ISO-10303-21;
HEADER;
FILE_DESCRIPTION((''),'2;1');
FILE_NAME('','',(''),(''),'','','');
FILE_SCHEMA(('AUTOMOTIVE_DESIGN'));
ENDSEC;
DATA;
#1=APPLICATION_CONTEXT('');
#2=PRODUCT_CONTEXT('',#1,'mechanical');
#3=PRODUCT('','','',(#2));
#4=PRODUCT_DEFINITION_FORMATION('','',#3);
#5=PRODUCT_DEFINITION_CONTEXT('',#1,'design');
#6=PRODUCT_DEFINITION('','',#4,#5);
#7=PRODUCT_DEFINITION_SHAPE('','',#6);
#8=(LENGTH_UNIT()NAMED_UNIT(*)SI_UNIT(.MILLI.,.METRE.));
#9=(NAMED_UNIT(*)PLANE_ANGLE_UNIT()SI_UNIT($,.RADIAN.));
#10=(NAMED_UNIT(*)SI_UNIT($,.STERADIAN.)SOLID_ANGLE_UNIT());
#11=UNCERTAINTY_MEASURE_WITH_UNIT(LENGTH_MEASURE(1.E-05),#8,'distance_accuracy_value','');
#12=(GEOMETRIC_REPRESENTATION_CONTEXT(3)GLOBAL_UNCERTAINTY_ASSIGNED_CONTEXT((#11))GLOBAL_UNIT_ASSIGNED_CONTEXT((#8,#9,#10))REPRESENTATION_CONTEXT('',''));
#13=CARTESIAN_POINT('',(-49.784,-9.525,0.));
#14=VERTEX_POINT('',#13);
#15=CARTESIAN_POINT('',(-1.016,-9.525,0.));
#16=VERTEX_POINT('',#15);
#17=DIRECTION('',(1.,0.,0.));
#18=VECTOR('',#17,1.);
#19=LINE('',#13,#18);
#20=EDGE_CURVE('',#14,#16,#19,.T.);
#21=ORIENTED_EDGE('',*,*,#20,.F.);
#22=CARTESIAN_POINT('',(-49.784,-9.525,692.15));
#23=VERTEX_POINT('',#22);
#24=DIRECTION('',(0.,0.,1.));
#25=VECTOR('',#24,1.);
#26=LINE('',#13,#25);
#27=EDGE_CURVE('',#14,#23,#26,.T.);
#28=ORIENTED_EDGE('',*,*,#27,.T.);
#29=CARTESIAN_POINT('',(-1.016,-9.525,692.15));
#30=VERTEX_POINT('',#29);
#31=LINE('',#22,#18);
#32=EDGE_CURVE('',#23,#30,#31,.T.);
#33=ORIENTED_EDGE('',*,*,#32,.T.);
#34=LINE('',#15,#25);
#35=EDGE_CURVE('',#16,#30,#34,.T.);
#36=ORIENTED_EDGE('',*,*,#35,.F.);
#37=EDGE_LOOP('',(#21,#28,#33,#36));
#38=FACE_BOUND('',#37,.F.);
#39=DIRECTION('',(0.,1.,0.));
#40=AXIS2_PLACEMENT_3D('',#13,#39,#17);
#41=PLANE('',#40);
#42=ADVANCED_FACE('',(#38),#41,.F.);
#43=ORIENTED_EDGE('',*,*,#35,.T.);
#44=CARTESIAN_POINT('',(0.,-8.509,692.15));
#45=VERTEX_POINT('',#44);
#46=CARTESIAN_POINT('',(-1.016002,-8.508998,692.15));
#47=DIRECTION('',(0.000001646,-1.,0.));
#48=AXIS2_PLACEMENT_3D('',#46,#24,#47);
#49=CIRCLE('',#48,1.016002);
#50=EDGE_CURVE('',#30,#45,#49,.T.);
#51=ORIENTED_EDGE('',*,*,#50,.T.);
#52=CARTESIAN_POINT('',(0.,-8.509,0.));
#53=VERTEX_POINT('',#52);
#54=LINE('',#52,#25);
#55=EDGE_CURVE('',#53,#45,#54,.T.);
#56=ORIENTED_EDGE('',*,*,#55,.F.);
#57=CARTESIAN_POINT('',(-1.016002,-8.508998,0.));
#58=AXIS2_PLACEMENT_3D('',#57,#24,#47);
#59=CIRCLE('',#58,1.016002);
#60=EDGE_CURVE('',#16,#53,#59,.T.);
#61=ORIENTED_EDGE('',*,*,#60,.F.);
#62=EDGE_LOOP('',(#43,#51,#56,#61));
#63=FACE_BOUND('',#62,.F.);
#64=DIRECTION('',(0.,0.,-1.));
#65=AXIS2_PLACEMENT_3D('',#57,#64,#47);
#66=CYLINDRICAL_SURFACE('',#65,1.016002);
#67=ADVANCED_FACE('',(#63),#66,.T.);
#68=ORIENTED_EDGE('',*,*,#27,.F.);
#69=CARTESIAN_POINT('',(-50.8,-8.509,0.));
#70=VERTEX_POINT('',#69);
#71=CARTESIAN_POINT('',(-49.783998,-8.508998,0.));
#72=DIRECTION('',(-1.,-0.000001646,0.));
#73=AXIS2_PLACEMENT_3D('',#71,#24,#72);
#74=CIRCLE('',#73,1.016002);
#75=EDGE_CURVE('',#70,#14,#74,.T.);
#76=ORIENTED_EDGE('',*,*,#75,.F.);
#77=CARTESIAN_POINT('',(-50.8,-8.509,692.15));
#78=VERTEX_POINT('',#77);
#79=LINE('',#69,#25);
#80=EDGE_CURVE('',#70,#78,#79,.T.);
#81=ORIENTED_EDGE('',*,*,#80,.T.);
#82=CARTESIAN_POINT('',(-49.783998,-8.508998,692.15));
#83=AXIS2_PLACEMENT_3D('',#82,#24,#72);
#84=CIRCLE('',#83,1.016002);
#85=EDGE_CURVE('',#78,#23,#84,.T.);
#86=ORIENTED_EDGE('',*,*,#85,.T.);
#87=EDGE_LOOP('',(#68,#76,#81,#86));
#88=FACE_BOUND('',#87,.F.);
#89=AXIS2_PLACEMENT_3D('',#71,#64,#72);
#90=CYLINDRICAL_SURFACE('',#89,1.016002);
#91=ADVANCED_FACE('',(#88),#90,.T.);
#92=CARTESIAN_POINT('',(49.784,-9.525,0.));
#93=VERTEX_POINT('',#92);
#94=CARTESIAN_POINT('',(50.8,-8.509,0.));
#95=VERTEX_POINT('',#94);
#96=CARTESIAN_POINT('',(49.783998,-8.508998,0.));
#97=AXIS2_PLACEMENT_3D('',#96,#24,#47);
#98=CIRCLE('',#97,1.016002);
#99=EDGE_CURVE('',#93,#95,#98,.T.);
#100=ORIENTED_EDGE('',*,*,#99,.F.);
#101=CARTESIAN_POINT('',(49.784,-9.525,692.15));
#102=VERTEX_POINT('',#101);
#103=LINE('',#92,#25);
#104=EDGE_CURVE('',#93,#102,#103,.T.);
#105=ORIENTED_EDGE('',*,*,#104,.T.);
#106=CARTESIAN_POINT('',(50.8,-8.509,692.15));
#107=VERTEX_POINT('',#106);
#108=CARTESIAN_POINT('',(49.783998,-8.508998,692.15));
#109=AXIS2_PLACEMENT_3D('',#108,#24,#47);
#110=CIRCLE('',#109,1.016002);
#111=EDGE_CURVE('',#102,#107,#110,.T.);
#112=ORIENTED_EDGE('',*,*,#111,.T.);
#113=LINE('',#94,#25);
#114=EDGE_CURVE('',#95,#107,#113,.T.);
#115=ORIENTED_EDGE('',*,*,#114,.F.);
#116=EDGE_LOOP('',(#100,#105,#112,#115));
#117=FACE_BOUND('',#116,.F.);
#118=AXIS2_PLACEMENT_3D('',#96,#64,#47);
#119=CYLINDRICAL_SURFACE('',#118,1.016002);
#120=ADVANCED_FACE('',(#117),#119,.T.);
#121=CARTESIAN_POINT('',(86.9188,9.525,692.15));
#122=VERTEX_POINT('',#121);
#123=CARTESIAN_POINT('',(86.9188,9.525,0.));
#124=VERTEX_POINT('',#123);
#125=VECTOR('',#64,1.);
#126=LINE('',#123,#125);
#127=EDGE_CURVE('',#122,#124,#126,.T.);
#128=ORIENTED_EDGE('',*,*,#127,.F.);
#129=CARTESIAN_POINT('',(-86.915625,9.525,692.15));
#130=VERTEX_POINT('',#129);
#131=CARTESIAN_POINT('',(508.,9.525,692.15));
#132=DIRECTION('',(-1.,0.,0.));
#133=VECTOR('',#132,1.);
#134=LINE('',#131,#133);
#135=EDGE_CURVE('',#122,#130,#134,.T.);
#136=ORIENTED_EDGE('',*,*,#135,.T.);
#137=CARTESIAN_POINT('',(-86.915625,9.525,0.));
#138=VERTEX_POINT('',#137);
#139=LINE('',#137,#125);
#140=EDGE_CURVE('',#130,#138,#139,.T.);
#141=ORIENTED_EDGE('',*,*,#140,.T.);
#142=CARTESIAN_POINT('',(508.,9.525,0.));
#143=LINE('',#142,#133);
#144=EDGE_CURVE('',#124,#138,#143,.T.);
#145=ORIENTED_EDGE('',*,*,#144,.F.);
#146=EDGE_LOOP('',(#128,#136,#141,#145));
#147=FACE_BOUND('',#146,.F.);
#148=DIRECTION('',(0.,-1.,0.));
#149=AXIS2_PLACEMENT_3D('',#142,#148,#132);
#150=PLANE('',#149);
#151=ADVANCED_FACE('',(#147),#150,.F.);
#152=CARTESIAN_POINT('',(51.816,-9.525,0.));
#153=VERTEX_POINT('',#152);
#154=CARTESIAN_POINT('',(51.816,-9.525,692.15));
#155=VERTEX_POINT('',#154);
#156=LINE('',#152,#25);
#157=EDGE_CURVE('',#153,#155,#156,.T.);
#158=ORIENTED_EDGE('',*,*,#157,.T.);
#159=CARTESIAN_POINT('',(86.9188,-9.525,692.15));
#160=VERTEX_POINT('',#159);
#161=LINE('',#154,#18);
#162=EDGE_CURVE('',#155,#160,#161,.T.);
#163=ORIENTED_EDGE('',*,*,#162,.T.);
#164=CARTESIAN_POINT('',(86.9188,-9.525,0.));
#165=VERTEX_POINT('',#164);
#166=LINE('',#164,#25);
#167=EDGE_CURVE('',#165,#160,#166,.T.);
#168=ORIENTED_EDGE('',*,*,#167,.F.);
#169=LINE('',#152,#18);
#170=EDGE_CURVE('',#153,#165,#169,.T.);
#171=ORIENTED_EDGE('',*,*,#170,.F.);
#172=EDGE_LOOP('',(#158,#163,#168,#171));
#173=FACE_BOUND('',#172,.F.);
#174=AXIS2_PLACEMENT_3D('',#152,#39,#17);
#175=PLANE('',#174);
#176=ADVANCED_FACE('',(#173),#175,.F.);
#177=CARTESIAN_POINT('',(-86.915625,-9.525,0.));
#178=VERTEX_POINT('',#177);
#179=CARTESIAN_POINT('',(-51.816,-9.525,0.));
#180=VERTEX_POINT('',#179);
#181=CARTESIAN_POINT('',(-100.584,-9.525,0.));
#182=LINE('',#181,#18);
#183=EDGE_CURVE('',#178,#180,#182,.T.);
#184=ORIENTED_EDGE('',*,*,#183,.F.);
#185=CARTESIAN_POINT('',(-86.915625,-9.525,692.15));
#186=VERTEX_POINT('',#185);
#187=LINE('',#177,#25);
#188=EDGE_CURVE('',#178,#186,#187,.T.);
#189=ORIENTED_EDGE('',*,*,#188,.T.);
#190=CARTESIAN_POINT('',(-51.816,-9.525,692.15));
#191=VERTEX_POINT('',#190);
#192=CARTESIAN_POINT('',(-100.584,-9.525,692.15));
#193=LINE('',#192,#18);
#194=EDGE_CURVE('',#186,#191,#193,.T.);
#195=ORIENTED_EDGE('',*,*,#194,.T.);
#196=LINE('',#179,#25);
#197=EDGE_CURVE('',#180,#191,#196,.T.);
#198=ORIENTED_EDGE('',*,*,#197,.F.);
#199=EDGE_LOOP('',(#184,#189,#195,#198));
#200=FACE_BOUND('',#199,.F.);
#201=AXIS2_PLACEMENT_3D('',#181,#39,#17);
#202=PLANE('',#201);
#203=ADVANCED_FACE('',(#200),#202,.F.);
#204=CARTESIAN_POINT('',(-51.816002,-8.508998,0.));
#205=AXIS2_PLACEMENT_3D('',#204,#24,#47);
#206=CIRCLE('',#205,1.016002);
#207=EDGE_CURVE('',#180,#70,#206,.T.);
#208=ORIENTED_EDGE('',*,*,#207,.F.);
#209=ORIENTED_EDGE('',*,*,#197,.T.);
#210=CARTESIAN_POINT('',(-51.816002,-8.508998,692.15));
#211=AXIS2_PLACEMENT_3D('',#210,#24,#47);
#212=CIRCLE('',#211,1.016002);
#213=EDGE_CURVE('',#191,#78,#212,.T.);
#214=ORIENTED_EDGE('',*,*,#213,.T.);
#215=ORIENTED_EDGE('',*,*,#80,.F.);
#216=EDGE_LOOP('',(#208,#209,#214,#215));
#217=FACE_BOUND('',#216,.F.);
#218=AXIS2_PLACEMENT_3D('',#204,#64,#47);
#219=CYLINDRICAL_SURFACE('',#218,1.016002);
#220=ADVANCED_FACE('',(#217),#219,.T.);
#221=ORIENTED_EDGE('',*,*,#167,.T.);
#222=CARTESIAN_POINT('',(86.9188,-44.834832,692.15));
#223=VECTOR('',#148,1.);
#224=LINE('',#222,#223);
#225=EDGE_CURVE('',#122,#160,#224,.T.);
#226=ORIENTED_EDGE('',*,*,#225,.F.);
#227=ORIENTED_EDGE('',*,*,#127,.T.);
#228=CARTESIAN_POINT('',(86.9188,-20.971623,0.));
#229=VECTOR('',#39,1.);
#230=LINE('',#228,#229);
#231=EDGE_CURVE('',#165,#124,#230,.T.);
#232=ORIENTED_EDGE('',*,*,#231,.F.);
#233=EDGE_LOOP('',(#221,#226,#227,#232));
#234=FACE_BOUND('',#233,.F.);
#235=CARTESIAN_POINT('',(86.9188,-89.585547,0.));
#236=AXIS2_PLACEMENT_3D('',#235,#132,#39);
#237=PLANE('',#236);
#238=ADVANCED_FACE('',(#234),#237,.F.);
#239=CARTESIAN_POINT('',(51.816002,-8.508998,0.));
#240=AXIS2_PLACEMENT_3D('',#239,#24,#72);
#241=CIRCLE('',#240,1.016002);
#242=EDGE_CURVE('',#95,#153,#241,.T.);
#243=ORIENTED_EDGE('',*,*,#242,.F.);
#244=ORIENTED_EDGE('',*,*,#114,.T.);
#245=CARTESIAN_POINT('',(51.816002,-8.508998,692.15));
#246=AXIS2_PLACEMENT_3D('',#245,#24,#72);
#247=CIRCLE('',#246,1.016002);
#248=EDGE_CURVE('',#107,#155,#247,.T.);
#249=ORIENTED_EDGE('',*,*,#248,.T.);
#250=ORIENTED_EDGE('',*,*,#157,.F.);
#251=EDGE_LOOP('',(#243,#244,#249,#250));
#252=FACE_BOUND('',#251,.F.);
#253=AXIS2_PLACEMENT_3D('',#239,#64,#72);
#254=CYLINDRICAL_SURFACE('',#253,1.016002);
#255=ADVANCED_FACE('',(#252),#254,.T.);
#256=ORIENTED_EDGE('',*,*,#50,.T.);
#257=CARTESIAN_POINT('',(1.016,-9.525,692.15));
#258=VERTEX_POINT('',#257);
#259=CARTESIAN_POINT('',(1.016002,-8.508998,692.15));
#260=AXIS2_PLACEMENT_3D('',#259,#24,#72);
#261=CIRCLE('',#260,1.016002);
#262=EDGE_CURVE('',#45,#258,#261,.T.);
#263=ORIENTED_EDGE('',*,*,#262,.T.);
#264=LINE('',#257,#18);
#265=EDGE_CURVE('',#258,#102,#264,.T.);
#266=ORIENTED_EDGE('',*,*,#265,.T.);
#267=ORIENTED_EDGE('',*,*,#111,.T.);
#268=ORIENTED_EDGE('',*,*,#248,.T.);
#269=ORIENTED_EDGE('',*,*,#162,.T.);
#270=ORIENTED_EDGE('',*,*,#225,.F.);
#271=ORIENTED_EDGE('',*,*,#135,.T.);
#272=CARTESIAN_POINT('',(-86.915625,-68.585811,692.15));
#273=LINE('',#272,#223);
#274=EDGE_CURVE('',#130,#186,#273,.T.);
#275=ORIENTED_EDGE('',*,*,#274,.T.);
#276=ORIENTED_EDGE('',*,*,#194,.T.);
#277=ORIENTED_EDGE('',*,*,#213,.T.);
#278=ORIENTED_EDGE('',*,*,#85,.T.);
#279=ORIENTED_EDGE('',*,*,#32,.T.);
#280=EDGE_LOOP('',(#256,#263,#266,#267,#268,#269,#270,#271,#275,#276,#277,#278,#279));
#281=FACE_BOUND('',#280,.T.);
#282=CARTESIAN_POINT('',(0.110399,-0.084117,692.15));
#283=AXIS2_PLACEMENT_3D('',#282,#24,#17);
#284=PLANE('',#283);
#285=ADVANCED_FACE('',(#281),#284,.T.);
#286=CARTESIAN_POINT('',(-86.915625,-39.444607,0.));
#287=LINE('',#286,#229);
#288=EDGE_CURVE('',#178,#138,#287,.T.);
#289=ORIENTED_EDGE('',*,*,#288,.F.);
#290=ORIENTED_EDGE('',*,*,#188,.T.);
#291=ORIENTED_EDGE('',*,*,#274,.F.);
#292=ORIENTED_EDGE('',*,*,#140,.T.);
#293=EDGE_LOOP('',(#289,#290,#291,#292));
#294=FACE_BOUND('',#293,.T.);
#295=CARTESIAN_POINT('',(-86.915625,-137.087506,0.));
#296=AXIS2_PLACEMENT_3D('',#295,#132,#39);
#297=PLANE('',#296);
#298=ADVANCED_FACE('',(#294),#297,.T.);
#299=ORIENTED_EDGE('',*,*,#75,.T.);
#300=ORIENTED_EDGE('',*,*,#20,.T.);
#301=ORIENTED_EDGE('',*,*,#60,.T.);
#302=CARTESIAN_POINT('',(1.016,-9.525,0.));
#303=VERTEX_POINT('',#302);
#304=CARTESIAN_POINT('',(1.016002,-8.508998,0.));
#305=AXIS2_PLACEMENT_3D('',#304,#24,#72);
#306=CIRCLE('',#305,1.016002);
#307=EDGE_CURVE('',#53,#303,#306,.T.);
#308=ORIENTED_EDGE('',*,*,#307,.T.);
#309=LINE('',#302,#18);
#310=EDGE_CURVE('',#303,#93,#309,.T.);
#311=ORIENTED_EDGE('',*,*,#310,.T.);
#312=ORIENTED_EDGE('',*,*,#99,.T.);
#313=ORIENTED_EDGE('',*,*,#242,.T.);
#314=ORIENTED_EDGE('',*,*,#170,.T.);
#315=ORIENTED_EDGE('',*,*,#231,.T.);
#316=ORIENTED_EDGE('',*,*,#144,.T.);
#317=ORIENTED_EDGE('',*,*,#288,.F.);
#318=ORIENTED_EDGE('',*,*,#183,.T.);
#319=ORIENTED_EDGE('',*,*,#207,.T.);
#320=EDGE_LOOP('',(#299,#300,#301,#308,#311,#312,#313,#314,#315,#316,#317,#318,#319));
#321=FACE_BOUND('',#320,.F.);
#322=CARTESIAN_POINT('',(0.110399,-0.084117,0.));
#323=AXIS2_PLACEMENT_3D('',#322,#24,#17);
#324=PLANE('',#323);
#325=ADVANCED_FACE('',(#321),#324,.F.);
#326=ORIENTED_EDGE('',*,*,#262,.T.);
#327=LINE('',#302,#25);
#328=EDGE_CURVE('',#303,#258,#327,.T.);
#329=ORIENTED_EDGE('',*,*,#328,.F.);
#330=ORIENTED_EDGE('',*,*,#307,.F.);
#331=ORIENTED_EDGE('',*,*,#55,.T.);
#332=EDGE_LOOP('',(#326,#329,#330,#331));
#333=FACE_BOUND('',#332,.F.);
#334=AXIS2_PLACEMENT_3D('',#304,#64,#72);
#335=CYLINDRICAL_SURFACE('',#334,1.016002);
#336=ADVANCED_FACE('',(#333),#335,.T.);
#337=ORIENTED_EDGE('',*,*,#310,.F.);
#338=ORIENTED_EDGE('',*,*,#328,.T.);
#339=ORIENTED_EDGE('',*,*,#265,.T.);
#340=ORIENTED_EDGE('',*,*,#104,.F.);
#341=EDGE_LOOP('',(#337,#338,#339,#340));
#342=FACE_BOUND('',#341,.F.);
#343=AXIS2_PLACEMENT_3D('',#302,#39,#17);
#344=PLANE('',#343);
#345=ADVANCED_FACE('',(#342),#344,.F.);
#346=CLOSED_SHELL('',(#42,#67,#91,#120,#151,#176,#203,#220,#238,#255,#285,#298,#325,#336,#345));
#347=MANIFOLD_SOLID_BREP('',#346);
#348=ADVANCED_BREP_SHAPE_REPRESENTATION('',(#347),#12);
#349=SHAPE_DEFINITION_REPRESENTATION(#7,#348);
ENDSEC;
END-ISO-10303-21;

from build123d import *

# Parameters (mm, degrees)
F1_DEPTH = 692.15
F2_W     = 508
F2_H     = 137.227848
F2_H_2   = 195.285798
F3_DEPTH = 1143


with BuildPart() as f1:
    # F0 (on Top) → F1 (new body)
    with BuildSketch(Plane.XY):
        with BuildLine():
            Line((458.216, -9.525), (508, -9.525))
            Line((508, -9.525), (508, 9.525))
            Line((508, 9.525), (-508, 9.525))
            Line((-508, 9.525), (-508, -8.509))
            ThreePointArc((-508, -8.509), (-507.70242, -9.22742), (-506.984, -9.525))
            Line((-506.984, -9.525), (-458.216, -9.525))
            ThreePointArc((-458.216, -9.525), (-457.49758, -9.22742), (-457.2, -8.509))
            ThreePointArc((-457.2, -8.509), (-456.90242, -9.22742), (-456.184, -9.525))
            Line((-456.184, -9.525), (-407.416, -9.525))
            ThreePointArc((-407.416, -9.525), (-406.69758, -9.22742), (-406.4, -8.509))
            ThreePointArc((-406.4, -8.509), (-406.10242, -9.22742), (-405.384, -9.525))
            Line((-405.384, -9.525), (-356.616, -9.525))
            ThreePointArc((-356.616, -9.525), (-355.89758, -9.22742), (-355.6, -8.509))
            ThreePointArc((-355.6, -8.509), (-355.30242, -9.22742), (-354.584, -9.525))
            Line((-354.584, -9.525), (-305.816, -9.525))
            ThreePointArc((-305.816, -9.525), (-305.09758, -9.22742), (-304.8, -8.509))
            ThreePointArc((-304.8, -8.509), (-304.50242, -9.22742), (-303.784, -9.525))
            Line((-303.784, -9.525), (-255.016, -9.525))
            ThreePointArc((-255.016, -9.525), (-254.29758, -9.22742), (-254, -8.509))
            ThreePointArc((-254, -8.509), (-253.70242, -9.22742), (-252.984, -9.525))
            Line((-252.984, -9.525), (-204.216, -9.525))
            ThreePointArc((-204.216, -9.525), (-203.49758, -9.22742), (-203.2, -8.509))
            ThreePointArc((-203.2, -8.509), (-202.90242, -9.22742), (-202.184, -9.525))
            Line((-202.184, -9.525), (-153.416, -9.525))
            ThreePointArc((-153.416, -9.525), (-152.69758, -9.22742), (-152.4, -8.509))
            ThreePointArc((-152.4, -8.509), (-152.10242, -9.22742), (-151.384, -9.525))
            Line((-151.384, -9.525), (-102.616, -9.525))
            ThreePointArc((-102.616, -9.525), (-101.89758, -9.22742), (-101.6, -8.509))
            ThreePointArc((-101.6, -8.509), (-101.30242, -9.22742), (-100.584, -9.525))
            Line((-100.584, -9.525), (-51.816, -9.525))
            ThreePointArc((-51.816, -9.525), (-51.09758, -9.22742), (-50.8, -8.509))
            ThreePointArc((-50.8, -8.509), (-50.50242, -9.22742), (-49.784, -9.525))
            Line((-49.784, -9.525), (-1.016, -9.525))
            ThreePointArc((-1.016, -9.525), (-0.29758, -9.22742), (0, -8.509))
            ThreePointArc((0, -8.509), (0.29758, -9.22742), (1.016, -9.525))
            Line((1.016, -9.525), (49.784, -9.525))
            ThreePointArc((49.784, -9.525), (50.50242, -9.22742), (50.8, -8.509))
            ThreePointArc((50.8, -8.509), (51.09758, -9.22742), (51.816, -9.525))
            Line((51.816, -9.525), (100.584, -9.525))
            ThreePointArc((100.584, -9.525), (101.30242, -9.22742), (101.6, -8.509))
            ThreePointArc((101.6, -8.509), (101.89758, -9.22742), (102.616, -9.525))
            Line((102.616, -9.525), (151.384, -9.525))
            ThreePointArc((151.384, -9.525), (152.10242, -9.22742), (152.4, -8.509))
            ThreePointArc((152.4, -8.509), (152.69758, -9.22742), (153.416, -9.525))
            Line((153.416, -9.525), (202.184, -9.525))
            ThreePointArc((202.184, -9.525), (202.90242, -9.22742), (203.2, -8.509))
            ThreePointArc((203.2, -8.509), (203.49758, -9.22742), (204.216, -9.525))
            Line((204.216, -9.525), (252.984, -9.525))
            ThreePointArc((252.984, -9.525), (253.70242, -9.22742), (254, -8.509))
            ThreePointArc((254, -8.509), (254.29758, -9.22742), (255.016, -9.525))
            Line((255.016, -9.525), (303.784, -9.525))
            ThreePointArc((303.784, -9.525), (304.50242, -9.22742), (304.8, -8.509))
            ThreePointArc((304.8, -8.509), (305.09758, -9.22742), (305.816, -9.525))
            Line((305.816, -9.525), (354.584, -9.525))
            ThreePointArc((354.584, -9.525), (355.30242, -9.22742), (355.6, -8.509))
            ThreePointArc((355.6, -8.509), (355.89758, -9.22742), (356.616, -9.525))
            Line((356.616, -9.525), (405.384, -9.525))
            ThreePointArc((405.384, -9.525), (406.10242, -9.22742), (406.4, -8.509))
            ThreePointArc((406.4, -8.509), (406.69758, -9.22742), (407.416, -9.525))
            Line((407.416, -9.525), (456.184, -9.525))
            ThreePointArc((456.184, -9.525), (456.90242, -9.22742), (457.2, -8.509))
            ThreePointArc((457.2, -8.509), (457.49758, -9.22742), (458.216, -9.525))
        make_face()
        with BuildLine():
            ThreePointArc((-506.984, -9.525), (-507.70242, -9.22742), (-508, -8.509))
            Line((-508, -8.509), (-508, -9.525))
            Line((-508, -9.525), (-506.984, -9.525))
        make_face()
    extrude(amount=F1_DEPTH)

    # F2 (on Top) → F3 (cut)
    with BuildSketch(Plane.XY):
        with Locations((340.9188, -20.971623)):
            Rectangle(F2_W, F2_H)
        with Locations((-340.915625, -39.444607)):
            Rectangle(F2_W, F2_H_2)
    extrude(amount=F3_DEPTH, mode=Mode.SUBTRACT)


solid = f1.part
